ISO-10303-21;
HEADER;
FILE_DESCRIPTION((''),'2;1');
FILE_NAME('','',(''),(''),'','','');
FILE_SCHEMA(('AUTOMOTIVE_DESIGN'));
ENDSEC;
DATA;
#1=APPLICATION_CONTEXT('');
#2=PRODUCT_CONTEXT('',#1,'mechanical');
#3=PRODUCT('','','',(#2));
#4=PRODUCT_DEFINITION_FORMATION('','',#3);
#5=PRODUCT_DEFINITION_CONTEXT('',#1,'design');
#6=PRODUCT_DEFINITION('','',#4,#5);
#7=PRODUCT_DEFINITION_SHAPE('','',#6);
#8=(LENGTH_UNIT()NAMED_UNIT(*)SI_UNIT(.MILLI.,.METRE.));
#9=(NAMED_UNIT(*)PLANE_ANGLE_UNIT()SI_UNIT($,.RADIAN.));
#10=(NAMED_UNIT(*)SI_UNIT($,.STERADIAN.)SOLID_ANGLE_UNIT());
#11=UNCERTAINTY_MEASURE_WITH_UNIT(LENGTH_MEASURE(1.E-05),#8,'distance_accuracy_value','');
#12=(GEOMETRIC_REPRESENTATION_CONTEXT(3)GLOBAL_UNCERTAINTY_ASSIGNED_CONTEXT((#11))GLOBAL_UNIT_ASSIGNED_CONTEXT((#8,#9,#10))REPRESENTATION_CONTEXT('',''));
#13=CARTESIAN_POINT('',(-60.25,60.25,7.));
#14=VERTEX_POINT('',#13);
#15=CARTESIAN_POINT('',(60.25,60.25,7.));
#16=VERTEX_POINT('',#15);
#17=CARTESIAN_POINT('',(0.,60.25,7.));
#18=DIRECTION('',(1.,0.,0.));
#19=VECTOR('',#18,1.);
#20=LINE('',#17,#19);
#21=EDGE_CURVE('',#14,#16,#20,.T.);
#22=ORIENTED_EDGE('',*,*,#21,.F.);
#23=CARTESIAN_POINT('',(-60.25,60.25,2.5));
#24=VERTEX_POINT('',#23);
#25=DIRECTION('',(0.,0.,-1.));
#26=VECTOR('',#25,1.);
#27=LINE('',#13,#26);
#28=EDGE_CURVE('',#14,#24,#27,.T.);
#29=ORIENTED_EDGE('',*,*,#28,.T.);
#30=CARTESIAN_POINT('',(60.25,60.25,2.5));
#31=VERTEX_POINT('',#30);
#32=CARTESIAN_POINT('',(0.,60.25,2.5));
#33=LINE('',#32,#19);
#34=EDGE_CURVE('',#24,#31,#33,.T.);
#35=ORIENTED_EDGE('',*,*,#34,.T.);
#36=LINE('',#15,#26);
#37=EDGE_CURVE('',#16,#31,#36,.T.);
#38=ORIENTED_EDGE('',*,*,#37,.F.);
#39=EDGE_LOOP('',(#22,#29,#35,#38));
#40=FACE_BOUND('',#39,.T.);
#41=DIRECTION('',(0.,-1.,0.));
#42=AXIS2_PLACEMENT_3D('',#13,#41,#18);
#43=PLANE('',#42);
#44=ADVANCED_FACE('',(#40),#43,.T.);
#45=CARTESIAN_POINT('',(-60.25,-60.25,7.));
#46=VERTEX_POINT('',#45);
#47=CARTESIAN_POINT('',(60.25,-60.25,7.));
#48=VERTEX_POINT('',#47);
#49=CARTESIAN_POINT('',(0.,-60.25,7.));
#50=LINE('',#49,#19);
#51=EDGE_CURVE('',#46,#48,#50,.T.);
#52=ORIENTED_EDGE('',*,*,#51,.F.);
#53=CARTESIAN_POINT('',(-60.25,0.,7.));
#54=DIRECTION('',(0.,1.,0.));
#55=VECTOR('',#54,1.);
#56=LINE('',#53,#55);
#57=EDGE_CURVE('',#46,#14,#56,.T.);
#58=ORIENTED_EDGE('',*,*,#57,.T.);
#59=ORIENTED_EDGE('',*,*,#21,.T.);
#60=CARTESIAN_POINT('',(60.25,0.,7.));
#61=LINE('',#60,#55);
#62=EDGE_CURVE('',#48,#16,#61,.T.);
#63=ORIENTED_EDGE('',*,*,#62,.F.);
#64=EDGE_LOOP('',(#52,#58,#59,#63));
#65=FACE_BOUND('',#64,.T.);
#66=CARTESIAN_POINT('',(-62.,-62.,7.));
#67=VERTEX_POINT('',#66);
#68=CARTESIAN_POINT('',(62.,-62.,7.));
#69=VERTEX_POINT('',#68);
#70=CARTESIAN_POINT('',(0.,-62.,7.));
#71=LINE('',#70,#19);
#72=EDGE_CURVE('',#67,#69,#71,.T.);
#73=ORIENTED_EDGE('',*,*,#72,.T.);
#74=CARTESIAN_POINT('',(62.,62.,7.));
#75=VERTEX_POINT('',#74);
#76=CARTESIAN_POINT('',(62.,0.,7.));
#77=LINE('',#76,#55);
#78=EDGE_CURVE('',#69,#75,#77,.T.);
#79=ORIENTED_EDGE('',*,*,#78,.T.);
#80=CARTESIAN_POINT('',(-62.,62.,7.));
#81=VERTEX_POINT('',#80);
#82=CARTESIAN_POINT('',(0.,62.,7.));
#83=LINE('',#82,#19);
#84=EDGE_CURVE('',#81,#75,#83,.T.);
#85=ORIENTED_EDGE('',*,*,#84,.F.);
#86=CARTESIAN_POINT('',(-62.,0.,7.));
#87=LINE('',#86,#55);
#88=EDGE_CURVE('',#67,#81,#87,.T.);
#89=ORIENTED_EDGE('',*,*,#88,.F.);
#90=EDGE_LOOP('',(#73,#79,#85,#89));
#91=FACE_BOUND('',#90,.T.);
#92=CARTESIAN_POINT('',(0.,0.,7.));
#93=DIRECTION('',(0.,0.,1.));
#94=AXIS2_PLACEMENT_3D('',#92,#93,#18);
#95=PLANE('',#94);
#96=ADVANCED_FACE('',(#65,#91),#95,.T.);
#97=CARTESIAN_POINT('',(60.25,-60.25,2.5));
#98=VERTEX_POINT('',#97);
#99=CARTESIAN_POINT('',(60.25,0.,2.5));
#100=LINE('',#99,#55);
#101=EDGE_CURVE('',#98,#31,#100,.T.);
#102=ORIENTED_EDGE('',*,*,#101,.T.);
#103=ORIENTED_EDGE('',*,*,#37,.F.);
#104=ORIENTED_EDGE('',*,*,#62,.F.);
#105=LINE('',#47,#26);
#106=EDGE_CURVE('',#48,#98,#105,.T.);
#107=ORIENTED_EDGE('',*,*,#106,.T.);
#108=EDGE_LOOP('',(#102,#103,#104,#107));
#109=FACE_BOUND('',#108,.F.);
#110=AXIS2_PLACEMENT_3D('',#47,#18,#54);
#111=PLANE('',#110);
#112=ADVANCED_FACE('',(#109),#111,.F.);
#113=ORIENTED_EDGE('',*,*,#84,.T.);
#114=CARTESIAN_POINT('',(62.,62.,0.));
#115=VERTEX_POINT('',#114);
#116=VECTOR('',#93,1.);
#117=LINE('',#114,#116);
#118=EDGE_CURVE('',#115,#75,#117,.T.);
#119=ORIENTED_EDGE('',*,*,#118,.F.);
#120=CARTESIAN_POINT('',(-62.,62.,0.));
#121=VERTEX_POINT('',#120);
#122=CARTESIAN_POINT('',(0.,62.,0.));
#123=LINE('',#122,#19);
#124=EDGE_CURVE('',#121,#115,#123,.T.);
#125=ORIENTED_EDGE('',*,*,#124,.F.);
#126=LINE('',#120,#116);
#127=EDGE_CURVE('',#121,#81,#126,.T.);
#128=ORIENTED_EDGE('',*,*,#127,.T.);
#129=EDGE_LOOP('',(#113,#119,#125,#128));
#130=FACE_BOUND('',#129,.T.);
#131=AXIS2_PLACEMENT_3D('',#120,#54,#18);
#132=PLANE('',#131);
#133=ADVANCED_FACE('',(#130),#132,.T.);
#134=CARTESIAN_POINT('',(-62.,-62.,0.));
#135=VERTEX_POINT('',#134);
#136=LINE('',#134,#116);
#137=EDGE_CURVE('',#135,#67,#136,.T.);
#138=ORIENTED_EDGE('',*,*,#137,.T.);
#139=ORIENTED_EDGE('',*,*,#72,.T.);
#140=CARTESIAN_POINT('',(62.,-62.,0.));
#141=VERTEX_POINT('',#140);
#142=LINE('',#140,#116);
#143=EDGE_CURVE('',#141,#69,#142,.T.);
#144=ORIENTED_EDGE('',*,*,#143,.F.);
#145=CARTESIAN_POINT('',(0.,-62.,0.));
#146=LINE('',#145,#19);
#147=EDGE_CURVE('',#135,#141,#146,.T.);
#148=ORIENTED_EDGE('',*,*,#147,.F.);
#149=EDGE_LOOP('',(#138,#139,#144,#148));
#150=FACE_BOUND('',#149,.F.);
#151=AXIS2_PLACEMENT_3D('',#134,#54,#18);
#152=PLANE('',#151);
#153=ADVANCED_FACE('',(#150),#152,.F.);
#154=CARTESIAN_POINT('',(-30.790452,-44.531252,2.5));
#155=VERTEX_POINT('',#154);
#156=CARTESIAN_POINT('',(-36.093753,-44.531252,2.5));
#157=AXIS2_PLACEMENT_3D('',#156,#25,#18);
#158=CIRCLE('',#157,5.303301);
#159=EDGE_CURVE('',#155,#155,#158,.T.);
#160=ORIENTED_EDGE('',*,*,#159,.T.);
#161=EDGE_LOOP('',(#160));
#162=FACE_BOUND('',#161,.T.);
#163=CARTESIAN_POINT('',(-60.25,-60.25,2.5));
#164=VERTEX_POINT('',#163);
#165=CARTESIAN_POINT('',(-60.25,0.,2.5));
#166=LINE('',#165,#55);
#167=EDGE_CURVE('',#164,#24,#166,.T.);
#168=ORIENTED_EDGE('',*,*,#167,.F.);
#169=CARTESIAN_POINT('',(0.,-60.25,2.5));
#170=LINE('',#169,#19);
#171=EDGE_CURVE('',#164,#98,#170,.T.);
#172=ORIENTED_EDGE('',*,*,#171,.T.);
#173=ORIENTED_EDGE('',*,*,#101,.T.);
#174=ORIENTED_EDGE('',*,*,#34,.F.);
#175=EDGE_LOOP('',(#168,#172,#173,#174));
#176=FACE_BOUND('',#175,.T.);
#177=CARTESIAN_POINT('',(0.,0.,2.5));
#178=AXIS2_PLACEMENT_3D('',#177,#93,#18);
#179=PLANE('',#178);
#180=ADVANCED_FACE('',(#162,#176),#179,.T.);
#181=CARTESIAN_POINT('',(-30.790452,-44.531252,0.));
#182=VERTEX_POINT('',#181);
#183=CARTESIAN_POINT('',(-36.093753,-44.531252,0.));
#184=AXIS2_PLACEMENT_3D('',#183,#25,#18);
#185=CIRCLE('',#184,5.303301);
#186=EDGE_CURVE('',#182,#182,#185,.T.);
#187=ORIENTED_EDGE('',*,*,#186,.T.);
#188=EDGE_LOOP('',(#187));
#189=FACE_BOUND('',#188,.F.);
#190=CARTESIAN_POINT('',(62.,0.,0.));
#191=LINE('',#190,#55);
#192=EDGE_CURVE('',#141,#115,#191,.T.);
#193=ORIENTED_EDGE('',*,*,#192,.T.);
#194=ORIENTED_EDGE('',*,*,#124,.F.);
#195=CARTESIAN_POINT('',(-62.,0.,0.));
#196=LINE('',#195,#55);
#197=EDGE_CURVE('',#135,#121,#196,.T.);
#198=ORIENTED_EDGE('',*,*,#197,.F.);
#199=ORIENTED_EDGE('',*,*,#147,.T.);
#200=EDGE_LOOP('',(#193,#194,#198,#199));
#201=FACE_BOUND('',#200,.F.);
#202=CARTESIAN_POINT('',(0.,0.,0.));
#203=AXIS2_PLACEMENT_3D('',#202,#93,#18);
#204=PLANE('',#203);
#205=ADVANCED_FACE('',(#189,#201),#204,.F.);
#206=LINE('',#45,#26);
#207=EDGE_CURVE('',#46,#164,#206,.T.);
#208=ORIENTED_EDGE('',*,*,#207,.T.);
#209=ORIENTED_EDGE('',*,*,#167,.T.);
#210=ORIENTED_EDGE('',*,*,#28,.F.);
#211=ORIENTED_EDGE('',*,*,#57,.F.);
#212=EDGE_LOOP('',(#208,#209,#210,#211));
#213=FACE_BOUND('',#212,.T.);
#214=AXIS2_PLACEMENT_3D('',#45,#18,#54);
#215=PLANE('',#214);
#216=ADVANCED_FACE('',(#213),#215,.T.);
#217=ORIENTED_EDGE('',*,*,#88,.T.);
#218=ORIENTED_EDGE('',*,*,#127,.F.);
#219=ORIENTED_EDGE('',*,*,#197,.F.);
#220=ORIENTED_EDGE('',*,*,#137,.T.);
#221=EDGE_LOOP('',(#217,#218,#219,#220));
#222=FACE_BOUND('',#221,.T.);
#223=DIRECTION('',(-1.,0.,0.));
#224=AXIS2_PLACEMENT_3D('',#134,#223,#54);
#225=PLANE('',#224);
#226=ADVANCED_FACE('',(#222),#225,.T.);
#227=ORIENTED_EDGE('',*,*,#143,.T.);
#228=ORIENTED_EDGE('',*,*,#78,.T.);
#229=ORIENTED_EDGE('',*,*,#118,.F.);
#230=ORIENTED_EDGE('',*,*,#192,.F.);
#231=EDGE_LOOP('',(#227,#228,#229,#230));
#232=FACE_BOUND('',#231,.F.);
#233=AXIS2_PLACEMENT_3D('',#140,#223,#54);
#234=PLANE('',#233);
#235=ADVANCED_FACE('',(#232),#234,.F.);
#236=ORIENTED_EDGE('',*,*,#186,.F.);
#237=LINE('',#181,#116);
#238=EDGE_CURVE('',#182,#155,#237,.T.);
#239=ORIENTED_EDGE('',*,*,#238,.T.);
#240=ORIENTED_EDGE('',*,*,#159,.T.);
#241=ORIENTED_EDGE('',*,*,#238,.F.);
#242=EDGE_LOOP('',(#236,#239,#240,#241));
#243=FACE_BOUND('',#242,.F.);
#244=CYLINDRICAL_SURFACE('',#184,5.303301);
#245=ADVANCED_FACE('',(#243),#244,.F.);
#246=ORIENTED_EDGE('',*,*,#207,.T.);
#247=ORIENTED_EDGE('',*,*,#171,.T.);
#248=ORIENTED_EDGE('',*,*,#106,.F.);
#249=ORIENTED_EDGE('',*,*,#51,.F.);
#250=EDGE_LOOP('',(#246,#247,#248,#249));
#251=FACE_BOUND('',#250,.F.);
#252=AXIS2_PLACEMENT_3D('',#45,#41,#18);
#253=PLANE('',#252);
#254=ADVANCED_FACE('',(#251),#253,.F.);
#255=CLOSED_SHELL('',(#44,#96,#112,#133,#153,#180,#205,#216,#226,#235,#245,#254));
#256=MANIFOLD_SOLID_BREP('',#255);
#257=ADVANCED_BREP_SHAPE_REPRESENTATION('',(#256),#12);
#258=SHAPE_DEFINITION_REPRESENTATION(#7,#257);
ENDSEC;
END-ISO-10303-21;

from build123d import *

# Parameters (mm, degrees)
F0_W     = 124
F0_H     = 124
F1_DEPTH = 7
F2_W     = 120.5
F2_H     = 120.5
F3_DEPTH = 4.5
F4_R     = 5.303301
F5_DEPTH = 7.001


with BuildPart() as f1:
    # F0 (on Top) → F1 (new body)
    with BuildSketch(Plane.XY):
        Rectangle(F0_W, F0_H)
    extrude(amount=F1_DEPTH)

    # F2 (on face) → F3 (cut)
    with BuildSketch(Plane.XY.offset(7)):
        Rectangle(F2_W, F2_H)
    extrude(amount=-F3_DEPTH, mode=Mode.SUBTRACT)

    # F4 (on face) → F5 (cut, through all)
    with BuildSketch(Plane(origin=(0, 0, 0), x_dir=(1, 0, 0), z_dir=(0, 0, -1))):
        with Locations((-36.093753, 44.531252)):
            Circle(F4_R)
    extrude(amount=-F5_DEPTH, mode=Mode.SUBTRACT)


solid = f1.part
